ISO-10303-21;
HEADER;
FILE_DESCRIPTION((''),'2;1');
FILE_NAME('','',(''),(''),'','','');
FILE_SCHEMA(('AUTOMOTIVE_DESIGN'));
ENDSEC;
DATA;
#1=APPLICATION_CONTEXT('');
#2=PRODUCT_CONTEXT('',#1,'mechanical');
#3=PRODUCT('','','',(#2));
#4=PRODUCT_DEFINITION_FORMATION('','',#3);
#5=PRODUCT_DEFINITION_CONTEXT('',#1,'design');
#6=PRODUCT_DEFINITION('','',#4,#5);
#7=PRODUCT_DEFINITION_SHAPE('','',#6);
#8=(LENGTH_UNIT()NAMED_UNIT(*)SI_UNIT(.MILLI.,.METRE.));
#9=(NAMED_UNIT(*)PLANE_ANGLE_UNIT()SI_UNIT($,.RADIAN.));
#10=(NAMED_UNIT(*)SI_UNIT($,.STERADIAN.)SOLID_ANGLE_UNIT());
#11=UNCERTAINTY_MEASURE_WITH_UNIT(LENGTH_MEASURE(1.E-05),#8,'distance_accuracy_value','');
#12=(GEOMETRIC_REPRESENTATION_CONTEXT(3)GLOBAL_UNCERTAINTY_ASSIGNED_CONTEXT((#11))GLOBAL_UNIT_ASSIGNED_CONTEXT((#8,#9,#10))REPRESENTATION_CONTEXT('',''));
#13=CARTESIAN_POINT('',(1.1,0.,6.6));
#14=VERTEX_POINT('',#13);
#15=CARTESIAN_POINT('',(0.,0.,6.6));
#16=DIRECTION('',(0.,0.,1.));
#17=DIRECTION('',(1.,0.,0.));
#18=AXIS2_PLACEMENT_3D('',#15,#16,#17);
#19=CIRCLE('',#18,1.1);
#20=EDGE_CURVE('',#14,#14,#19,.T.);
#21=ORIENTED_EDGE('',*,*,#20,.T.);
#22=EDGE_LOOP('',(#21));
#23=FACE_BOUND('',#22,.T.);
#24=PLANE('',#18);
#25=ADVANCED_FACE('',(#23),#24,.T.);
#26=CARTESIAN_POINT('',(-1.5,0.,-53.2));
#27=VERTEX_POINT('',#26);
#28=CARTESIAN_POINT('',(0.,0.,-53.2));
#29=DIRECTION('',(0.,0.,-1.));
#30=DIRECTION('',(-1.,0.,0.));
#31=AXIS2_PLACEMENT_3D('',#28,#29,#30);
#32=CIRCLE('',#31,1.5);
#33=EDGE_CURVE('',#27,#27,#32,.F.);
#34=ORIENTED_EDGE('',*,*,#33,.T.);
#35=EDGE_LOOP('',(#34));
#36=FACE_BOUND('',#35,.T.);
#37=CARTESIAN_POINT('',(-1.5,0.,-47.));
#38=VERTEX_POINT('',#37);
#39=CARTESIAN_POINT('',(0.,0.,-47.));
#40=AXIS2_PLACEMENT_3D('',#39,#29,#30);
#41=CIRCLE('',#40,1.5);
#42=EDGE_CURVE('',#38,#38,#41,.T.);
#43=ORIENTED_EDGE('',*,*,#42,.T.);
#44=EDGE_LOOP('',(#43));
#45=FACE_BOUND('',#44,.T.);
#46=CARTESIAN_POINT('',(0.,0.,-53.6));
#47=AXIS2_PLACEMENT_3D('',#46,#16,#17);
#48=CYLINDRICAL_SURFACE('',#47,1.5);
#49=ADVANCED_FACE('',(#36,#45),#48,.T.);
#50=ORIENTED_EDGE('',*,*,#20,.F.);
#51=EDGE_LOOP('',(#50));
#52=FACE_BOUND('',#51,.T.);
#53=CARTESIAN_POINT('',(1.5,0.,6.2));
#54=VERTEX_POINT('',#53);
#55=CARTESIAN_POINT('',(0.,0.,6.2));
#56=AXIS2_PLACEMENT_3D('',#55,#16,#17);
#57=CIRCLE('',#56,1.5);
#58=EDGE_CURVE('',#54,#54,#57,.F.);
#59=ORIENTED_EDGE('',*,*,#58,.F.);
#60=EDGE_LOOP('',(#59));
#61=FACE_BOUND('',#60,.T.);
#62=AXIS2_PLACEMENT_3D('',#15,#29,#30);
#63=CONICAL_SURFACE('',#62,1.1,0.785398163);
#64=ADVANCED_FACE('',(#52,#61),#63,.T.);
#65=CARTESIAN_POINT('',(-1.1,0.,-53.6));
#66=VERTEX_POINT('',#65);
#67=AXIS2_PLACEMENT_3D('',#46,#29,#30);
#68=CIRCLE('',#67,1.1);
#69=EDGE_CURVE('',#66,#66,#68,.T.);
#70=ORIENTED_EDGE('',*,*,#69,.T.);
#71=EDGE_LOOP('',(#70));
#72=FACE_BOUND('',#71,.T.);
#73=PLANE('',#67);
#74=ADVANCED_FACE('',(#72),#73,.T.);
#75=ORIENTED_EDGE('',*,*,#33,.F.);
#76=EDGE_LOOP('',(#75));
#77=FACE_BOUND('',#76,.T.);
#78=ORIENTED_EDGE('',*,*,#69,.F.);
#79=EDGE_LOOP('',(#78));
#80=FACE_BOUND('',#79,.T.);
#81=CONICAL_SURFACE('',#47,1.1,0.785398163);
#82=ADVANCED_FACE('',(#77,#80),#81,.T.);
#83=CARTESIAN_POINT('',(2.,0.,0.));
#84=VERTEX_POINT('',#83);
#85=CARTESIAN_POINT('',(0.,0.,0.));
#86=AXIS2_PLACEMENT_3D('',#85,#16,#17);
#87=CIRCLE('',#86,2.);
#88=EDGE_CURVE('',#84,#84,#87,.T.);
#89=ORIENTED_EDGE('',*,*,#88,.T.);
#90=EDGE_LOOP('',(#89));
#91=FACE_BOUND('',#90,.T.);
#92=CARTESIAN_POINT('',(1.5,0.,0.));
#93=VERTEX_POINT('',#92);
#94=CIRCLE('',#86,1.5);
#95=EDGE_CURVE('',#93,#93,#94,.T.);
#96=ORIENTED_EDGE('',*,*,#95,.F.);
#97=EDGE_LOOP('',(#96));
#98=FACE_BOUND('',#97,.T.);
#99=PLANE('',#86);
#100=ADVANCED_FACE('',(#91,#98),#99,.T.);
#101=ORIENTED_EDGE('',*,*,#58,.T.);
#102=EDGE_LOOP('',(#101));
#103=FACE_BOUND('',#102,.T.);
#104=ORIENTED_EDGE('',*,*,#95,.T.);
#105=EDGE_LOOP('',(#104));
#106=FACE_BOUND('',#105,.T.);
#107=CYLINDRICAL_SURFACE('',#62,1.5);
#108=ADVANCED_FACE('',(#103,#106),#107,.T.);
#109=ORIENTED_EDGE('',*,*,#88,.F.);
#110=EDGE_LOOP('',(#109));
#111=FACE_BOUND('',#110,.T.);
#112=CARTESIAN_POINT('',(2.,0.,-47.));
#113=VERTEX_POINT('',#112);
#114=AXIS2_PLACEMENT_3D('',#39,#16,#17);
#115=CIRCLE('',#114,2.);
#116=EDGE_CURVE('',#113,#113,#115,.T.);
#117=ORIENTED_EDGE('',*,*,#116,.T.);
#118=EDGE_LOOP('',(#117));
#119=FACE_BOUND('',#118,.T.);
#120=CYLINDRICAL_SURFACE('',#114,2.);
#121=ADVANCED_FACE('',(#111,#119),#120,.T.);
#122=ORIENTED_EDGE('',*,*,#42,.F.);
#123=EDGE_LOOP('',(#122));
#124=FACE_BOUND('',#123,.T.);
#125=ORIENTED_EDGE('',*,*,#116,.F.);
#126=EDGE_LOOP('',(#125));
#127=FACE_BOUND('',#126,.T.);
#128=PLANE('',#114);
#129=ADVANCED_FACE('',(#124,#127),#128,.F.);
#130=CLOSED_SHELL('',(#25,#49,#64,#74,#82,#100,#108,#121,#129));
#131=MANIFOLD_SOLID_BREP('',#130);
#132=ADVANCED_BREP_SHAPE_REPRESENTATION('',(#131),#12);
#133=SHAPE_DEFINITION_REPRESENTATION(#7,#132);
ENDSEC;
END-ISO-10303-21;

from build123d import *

# Parameters (mm, degrees)
SKETCH1_R           = 2
BOSS_EXTRUDE1_DEPTH = 47
SKETCH2_R           = 1.5
BOSS_EXTRUDE2_DEPTH = 6.6
BOSS_EXTRUDE3_START = 6.6
SKETCH3_R           = 1.5
BOSS_EXTRUDE3_DEPTH = 6.6
CHAMFER1_SIZE       = 0.4


with BuildPart() as part:
    # Sketch1 → Boss-Extrude1 (new body)
    with BuildSketch(Plane.XY):
        Circle(SKETCH1_R)
    extrude(amount=-BOSS_EXTRUDE1_DEPTH)

    # Sketch2 → Boss-Extrude2 (add)
    with BuildSketch(Plane.XY):
        Circle(SKETCH2_R)
    extrude(amount=BOSS_EXTRUDE2_DEPTH)

    # Sketch3 → Boss-Extrude3 (add)
    with BuildSketch(Plane(origin=(0, 0, -47), x_dir=(-1, 0, 0), z_dir=(0, 0, -1)).offset(BOSS_EXTRUDE3_START)):
        with Locations(Location((0, 0, 0), (0, 0, 180))):
            Circle(SKETCH3_R)
    extrude(amount=-BOSS_EXTRUDE3_DEPTH)

    # Chamfer1
    chamfer1_edges = [part.edges().sort_by_distance(p)[0] for p in [
        (-1.5, 0, -53.6),
        (-1.5, 0, 6.6),
    ]]
    chamfer(chamfer1_edges, length=CHAMFER1_SIZE)


solid = part.part
